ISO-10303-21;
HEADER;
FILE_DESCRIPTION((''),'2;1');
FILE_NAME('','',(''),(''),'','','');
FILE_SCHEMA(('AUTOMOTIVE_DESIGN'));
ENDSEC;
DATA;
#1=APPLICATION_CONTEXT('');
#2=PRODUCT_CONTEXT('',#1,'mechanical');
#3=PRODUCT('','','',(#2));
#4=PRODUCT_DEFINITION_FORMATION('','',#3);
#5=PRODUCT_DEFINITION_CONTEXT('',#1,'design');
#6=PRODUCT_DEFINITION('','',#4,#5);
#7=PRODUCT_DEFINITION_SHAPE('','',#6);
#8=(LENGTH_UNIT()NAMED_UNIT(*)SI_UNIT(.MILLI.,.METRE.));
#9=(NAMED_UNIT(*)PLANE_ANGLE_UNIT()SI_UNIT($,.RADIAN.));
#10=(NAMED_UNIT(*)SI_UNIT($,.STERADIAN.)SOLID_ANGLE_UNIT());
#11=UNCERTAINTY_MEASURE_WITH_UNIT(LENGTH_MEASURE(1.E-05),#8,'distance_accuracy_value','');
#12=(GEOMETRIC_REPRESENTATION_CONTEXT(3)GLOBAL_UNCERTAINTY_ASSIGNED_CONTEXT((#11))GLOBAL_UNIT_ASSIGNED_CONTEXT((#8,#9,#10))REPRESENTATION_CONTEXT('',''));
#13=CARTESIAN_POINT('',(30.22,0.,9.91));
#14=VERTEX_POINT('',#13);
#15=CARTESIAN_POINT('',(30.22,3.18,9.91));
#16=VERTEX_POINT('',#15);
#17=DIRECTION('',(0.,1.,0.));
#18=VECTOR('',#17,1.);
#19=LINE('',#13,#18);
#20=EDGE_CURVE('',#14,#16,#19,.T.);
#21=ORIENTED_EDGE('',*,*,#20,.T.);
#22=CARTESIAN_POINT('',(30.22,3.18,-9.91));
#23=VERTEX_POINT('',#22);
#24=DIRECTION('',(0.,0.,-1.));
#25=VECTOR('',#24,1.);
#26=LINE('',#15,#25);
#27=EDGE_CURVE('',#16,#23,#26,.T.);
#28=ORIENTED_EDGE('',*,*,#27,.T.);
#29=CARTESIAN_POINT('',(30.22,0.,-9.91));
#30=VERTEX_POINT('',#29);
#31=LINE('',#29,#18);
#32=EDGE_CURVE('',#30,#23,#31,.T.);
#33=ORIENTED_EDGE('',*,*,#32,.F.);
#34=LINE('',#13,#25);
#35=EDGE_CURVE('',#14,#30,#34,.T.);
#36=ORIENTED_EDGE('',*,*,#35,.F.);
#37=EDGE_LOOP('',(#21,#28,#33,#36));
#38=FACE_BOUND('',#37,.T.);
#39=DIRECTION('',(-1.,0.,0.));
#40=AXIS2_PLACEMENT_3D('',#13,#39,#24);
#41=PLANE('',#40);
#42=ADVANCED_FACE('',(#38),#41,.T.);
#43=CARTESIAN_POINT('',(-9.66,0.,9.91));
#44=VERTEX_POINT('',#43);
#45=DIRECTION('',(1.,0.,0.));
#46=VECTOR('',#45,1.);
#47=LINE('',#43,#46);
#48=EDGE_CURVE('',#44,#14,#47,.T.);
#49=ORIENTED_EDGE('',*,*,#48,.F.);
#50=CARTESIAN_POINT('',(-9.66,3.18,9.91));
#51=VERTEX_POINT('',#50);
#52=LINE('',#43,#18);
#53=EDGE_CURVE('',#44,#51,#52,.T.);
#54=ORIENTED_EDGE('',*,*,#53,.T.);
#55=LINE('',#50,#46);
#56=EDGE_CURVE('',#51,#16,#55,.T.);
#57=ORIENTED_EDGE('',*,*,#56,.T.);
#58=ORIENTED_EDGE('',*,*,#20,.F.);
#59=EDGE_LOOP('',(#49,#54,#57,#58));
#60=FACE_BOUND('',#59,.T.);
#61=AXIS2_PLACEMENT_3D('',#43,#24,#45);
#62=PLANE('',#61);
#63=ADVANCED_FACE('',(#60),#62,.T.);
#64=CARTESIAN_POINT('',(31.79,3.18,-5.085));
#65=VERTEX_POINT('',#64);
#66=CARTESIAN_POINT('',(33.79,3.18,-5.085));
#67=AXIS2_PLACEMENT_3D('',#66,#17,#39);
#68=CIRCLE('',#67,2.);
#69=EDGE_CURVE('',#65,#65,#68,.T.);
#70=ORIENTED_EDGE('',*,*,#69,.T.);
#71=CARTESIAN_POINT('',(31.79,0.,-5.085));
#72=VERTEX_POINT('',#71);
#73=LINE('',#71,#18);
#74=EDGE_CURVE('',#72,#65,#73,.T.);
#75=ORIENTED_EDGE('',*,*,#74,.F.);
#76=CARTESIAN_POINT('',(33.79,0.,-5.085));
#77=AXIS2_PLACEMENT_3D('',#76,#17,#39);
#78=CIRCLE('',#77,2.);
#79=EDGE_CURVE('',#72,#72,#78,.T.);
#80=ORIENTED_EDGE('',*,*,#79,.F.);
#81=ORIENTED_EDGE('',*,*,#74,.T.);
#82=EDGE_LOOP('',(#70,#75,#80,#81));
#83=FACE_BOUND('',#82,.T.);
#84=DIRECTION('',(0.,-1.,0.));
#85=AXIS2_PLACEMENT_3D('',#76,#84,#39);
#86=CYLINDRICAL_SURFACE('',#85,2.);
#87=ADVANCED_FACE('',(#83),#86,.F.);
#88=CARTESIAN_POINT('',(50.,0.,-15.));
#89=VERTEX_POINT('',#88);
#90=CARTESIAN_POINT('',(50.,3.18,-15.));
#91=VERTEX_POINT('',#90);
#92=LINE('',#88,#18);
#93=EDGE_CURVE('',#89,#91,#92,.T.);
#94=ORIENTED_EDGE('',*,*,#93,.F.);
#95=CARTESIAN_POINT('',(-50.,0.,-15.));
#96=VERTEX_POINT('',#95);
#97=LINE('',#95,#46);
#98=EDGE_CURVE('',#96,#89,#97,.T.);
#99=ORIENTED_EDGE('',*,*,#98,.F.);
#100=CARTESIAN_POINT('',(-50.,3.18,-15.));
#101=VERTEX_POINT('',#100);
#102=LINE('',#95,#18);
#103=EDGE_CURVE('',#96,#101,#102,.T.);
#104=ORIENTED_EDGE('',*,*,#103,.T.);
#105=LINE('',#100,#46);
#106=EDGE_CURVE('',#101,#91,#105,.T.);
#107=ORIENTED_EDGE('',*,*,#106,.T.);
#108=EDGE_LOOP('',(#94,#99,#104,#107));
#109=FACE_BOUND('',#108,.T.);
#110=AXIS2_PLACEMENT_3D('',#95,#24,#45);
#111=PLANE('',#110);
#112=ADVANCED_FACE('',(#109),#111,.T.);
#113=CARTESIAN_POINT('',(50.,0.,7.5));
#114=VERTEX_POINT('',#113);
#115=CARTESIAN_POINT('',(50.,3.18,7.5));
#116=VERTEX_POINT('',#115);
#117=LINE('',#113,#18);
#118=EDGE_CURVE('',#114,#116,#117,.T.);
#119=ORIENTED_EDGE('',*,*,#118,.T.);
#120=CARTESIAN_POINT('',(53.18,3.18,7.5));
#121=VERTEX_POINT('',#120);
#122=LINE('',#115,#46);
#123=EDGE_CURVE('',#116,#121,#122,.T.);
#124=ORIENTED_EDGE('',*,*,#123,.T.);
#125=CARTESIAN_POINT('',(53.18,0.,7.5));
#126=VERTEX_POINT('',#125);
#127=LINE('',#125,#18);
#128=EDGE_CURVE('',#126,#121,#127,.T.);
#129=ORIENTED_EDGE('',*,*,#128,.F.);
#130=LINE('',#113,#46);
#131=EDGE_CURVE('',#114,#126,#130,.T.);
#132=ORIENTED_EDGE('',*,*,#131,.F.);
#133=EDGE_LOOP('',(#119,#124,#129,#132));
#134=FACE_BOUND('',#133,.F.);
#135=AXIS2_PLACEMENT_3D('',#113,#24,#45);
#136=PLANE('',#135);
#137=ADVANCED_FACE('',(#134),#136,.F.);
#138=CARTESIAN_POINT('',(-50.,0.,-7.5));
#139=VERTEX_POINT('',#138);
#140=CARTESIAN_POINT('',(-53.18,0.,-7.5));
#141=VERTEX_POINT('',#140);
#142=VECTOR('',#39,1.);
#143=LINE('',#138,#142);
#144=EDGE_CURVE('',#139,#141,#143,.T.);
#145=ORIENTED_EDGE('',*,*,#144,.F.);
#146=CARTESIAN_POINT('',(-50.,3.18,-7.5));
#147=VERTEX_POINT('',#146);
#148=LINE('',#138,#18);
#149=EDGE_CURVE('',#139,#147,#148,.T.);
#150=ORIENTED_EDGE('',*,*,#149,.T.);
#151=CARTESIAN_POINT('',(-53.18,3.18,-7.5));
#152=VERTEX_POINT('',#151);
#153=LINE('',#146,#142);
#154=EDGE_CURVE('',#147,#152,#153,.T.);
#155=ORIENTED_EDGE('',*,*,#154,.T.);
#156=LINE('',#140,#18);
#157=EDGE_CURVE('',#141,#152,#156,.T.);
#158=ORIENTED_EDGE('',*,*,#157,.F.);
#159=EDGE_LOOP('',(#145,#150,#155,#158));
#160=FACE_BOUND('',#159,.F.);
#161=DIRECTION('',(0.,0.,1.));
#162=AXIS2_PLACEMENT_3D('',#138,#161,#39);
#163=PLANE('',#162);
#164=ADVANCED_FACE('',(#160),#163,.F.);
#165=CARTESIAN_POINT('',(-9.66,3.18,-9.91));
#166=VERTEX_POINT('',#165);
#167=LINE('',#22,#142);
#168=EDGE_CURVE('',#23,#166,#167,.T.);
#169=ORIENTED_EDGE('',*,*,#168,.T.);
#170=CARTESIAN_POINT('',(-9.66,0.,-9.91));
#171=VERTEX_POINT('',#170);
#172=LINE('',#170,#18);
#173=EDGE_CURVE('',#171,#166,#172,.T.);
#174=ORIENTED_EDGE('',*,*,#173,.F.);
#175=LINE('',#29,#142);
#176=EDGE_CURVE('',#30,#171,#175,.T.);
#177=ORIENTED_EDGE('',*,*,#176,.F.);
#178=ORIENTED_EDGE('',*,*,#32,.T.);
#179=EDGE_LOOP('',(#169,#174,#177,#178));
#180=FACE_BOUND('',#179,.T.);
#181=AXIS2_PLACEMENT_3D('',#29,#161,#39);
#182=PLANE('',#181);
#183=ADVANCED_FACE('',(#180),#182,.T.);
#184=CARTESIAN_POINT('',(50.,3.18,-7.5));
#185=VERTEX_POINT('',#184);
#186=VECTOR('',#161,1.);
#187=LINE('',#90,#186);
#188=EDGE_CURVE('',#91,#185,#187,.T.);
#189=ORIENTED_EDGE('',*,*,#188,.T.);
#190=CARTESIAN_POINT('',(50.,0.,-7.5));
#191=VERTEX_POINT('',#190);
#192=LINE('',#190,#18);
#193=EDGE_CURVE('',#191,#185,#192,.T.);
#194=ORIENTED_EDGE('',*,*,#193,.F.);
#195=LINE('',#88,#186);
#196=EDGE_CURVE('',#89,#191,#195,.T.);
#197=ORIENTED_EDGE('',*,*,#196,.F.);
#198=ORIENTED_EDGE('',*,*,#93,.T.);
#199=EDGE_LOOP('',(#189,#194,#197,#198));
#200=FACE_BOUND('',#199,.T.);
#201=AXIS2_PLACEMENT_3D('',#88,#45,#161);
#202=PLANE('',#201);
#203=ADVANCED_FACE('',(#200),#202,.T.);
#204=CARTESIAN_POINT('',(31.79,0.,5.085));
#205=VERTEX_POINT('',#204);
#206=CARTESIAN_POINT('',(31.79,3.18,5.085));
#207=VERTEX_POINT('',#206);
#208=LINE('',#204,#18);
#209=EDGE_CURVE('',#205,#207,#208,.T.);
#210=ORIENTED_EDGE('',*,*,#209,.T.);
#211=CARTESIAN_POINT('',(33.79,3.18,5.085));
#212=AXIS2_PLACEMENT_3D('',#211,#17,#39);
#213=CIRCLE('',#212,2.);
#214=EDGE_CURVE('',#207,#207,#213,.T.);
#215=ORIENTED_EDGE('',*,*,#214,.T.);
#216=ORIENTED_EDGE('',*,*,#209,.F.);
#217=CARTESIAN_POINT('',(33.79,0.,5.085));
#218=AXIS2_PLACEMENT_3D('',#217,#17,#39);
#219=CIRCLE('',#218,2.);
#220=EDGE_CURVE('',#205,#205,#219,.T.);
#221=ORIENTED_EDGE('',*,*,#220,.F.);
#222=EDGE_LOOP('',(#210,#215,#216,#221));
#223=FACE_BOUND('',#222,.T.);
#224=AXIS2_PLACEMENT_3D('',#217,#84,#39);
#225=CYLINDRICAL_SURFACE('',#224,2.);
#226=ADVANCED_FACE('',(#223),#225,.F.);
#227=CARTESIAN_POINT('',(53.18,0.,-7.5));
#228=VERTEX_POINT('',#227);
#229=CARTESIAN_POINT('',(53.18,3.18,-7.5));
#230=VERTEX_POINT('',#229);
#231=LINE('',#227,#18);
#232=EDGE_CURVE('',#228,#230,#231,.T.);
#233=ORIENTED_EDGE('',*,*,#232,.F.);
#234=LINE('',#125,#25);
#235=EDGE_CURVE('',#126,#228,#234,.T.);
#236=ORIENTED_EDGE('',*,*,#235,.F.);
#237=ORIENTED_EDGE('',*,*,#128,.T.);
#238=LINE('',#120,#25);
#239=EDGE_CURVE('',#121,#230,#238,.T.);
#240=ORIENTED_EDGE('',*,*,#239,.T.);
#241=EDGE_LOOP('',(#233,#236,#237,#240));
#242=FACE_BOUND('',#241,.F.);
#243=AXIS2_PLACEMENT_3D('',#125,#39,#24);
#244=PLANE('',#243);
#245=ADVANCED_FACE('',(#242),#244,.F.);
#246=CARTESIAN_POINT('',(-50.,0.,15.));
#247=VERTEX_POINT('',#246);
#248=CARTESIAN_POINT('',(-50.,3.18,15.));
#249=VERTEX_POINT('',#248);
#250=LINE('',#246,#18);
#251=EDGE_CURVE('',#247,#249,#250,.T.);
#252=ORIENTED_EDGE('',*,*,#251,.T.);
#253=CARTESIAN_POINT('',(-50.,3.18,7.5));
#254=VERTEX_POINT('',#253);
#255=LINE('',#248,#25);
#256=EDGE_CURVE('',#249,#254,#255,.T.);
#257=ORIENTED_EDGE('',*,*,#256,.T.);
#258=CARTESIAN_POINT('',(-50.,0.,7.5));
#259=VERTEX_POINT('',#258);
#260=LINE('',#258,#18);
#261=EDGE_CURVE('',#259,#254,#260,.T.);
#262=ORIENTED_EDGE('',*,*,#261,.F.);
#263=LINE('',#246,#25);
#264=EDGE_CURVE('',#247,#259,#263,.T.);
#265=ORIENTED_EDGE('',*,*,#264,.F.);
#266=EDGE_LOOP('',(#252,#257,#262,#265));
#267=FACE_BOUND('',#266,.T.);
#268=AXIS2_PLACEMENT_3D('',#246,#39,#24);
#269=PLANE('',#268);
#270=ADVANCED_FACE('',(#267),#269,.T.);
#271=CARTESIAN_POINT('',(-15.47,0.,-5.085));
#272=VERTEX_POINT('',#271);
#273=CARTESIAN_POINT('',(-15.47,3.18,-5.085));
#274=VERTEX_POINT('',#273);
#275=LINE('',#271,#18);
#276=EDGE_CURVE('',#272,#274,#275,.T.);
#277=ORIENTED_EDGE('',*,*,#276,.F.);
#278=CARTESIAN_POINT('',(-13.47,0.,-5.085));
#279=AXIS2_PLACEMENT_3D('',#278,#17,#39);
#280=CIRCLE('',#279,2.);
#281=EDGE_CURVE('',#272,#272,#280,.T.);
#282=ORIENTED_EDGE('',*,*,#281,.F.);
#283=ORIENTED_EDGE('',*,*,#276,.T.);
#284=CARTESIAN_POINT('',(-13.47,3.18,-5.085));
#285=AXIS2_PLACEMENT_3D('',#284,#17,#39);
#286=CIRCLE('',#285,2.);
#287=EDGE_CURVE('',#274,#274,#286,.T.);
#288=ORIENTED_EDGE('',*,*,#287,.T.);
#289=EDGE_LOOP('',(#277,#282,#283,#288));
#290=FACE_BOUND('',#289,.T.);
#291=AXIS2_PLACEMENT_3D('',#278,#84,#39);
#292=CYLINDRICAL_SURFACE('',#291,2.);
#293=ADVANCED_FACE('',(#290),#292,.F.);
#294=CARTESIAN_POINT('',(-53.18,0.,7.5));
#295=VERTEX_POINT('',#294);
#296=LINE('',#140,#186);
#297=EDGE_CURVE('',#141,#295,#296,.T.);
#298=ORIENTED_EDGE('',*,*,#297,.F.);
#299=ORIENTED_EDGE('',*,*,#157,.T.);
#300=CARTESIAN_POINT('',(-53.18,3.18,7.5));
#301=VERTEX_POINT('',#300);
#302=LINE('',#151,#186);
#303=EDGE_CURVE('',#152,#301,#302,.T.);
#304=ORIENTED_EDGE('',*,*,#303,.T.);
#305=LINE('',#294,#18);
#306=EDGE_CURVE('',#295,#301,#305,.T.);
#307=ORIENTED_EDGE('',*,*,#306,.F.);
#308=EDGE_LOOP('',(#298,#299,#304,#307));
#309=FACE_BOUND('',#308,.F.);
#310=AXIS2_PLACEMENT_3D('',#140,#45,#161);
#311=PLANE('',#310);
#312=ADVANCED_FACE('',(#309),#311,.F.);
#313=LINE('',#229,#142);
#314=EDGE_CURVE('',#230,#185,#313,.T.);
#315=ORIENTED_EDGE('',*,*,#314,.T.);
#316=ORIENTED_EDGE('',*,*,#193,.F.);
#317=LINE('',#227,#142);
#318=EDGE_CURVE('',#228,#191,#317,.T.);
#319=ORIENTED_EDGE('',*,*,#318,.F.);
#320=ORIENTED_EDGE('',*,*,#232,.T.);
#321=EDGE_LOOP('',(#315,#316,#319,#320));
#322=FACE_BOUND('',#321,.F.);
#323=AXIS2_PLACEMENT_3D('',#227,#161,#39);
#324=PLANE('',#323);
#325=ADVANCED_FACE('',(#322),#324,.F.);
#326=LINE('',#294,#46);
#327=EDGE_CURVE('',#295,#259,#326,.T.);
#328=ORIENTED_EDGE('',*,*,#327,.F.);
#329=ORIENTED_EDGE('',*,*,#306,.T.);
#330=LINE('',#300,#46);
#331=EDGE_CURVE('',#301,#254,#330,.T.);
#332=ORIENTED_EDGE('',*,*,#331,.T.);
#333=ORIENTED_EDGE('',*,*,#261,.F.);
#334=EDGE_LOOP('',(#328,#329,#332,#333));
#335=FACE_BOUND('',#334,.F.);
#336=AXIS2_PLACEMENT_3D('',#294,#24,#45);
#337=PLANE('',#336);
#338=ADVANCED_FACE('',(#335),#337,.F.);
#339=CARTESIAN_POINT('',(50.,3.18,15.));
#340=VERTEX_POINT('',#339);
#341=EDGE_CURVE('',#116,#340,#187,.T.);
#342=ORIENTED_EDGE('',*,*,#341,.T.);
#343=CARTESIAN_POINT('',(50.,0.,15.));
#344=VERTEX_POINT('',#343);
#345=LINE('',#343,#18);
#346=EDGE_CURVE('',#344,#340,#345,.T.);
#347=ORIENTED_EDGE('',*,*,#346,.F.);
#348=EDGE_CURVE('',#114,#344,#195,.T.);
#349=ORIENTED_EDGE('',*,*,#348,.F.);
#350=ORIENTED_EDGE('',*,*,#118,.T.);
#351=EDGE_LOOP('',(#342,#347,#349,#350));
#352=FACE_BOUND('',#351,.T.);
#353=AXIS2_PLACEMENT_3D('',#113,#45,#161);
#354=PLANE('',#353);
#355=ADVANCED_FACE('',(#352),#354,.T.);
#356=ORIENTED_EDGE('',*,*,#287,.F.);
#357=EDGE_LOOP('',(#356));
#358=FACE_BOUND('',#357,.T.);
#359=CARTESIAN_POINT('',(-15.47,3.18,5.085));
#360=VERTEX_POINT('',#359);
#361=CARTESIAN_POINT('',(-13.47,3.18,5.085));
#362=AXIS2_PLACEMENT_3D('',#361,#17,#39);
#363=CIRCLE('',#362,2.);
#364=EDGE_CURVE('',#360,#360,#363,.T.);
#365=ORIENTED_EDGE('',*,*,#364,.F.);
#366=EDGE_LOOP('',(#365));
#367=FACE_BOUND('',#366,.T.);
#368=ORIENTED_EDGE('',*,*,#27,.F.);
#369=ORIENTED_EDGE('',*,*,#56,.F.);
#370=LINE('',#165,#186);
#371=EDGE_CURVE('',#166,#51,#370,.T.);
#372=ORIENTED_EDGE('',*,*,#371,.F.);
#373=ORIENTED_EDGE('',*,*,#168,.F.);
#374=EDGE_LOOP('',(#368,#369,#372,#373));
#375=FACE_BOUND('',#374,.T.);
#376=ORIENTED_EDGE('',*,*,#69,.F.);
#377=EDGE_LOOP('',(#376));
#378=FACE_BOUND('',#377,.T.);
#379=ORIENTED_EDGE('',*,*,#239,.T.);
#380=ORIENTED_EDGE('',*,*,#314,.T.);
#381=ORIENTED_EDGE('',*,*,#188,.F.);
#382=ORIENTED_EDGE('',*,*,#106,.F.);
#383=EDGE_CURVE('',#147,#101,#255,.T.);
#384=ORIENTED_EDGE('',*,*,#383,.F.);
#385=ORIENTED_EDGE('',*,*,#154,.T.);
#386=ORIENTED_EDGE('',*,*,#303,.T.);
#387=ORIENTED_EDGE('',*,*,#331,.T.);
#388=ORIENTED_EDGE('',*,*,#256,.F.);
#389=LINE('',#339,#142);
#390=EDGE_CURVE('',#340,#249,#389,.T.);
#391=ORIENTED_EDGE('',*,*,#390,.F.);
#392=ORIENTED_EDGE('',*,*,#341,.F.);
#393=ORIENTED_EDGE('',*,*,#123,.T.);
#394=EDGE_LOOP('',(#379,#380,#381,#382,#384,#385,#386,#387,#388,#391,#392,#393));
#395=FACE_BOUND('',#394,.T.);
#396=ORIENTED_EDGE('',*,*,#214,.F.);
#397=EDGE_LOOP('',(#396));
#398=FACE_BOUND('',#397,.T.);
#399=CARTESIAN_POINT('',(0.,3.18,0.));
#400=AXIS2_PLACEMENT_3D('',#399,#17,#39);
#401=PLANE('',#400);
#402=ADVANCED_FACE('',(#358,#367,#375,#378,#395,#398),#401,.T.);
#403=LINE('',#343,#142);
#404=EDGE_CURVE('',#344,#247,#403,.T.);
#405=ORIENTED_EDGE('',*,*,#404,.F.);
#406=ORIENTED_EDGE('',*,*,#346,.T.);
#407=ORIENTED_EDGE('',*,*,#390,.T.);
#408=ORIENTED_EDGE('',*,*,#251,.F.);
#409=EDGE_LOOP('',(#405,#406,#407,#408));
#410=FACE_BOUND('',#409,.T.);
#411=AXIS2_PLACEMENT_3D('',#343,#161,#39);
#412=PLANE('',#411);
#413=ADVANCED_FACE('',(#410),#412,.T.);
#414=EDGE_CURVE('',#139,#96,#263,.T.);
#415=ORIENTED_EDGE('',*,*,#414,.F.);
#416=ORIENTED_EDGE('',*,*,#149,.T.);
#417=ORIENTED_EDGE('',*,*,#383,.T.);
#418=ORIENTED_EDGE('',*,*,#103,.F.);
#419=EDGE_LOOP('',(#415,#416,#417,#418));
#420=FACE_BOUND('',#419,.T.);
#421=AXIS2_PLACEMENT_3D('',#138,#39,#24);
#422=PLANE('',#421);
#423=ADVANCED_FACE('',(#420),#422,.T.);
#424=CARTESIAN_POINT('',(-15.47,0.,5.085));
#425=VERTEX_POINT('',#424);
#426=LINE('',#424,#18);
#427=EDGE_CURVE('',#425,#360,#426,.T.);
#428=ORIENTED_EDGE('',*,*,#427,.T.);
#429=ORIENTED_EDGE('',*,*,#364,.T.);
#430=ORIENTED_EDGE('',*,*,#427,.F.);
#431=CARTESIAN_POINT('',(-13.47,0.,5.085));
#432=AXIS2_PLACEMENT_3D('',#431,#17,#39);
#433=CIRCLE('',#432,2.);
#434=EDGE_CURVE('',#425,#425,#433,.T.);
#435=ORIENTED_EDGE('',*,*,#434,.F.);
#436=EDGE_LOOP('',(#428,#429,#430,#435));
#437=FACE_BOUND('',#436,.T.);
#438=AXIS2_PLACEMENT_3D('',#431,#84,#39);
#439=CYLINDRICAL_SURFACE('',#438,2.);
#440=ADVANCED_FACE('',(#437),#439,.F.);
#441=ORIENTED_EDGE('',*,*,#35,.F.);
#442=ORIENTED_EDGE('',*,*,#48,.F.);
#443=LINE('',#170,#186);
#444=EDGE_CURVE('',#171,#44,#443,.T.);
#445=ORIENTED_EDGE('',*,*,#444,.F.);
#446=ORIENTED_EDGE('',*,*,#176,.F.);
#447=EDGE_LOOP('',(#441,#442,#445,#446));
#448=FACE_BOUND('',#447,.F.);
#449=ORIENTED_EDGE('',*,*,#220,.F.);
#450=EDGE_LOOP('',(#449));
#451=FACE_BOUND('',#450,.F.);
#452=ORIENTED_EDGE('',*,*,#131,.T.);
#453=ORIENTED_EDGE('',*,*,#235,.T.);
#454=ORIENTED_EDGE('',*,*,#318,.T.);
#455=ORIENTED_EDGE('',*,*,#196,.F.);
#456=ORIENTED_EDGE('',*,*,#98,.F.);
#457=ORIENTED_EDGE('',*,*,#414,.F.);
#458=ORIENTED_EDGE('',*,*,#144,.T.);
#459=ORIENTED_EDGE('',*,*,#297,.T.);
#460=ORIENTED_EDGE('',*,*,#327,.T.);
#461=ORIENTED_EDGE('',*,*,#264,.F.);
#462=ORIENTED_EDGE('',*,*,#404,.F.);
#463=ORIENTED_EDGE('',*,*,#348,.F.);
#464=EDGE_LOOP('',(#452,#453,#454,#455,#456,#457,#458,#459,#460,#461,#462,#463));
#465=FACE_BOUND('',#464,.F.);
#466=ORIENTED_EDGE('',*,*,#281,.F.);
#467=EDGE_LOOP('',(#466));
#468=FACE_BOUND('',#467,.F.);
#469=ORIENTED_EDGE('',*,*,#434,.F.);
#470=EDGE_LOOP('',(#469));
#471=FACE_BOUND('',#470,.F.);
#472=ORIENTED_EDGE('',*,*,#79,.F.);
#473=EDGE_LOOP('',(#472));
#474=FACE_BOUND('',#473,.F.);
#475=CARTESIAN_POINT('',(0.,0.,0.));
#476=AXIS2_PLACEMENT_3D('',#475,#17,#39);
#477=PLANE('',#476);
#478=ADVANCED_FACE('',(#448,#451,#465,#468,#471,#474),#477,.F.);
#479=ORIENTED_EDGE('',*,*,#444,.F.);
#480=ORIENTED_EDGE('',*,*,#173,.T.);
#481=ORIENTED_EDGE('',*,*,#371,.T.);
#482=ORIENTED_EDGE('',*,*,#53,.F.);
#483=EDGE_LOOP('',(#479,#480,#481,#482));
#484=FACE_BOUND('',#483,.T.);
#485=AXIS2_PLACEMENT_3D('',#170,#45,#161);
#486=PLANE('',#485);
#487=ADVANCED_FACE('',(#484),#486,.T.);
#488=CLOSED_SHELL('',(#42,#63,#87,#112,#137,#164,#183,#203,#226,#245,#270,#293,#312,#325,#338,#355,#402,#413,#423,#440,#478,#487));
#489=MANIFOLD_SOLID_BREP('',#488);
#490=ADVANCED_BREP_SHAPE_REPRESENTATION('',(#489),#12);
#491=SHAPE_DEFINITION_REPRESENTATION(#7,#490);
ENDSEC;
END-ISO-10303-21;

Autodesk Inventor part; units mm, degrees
ref_plane "YZ Plane" through (0, 0, 0) normal (1, 0, 0) x (0, 1, 0)
ref_plane "XZ Plane" through (0, 0, 0) normal (0, 1, 0) x (-1, 0, 0)
ref_plane "XY Plane" through (0, 0, 0) normal (0, 0, 1) x (1, 0, 0)
sketch "Boceto2" plane through (0, 0, 0) normal (0, 1, 0) x (-1, 0, 0)
  circle A0 centre (0, 0) radius 5
  line L0 (9.66, 9.91) -> (-30.22, 9.91)
  line L1 (-30.22, 9.91) -> (-30.22, -9.91)
  line L2 (-30.22, -9.91) -> (9.66, -9.91)
  line L3 (9.66, -9.91) -> (9.66, 9.91)
  circle A1 centre (-33.79, 5.085) radius 2
  circle A2 centre (13.47, -5.085) radius 2
  circle A3 centre (13.47, 5.085) radius 2
  circle A4 centre (-33.79, -5.085) radius 2
  line L4 (-50, 15) -> (50, 15)
  line L5 (50, 15) -> (50, -15)
  line L6 (50, -15) -> (-50, -15)
  line L7 (-50, -15) -> (-50, 15)
  line L8 (-50, 15) -> (50, -15) construction
  line L9 (50, 15) -> (-50, -15) construction
  line L10 (53.18, 7.5) -> (50, 7.5)
  line L11 (50, 7.5) -> (50, -7.5)
  line L12 (50, -7.5) -> (53.18, -7.5)
  line L13 (53.18, -7.5) -> (53.18, 7.5)
  line L14 (-50, 7.5) -> (-53.18, 7.5)
  line L15 (-53.18, 7.5) -> (-53.18, -7.5)
  line L16 (-53.18, -7.5) -> (-50, -7.5)
  line L17 (-50, -7.5) -> (-50, 7.5)
  dimension "d2" = 10
  dimension "d3" = 9.91
  dimension "d4" = 19.82
  dimension "d5" = 9.66
  dimension "d6" = 39.88
  dimension "d7" = 4
  dimension "d8" = 4
  dimension "d9" = 4
  dimension "d10" = 5.085
  dimension "d11" = 10.17
  dimension "d12" = 13.47
  dimension "d13" = 13.47
  dimension "d14" = 4
  dimension "d15" = 33.79
  dimension "d16" = 33.79
  dimension "d17" = 5.085
  dimension "d18" = 10.17
  dimension "d19" = 100
  dimension "d20" = 30
  dimension "d21" = 3.18
  dimension "d22" = 15
  dimension "d23" = 7.5
  dimension "d24" = 15
  dimension "d25" = 3.18
  dimension "d26" = 7.5
extrude "Extrusión1" add sketch "Boceto2" along normal blind 3.18 contours L4 L5 L6 L7 | L7 L16 L15 L14 | L10 L13 L12 L5
properties part number "BASE_SOST.SERVO"
